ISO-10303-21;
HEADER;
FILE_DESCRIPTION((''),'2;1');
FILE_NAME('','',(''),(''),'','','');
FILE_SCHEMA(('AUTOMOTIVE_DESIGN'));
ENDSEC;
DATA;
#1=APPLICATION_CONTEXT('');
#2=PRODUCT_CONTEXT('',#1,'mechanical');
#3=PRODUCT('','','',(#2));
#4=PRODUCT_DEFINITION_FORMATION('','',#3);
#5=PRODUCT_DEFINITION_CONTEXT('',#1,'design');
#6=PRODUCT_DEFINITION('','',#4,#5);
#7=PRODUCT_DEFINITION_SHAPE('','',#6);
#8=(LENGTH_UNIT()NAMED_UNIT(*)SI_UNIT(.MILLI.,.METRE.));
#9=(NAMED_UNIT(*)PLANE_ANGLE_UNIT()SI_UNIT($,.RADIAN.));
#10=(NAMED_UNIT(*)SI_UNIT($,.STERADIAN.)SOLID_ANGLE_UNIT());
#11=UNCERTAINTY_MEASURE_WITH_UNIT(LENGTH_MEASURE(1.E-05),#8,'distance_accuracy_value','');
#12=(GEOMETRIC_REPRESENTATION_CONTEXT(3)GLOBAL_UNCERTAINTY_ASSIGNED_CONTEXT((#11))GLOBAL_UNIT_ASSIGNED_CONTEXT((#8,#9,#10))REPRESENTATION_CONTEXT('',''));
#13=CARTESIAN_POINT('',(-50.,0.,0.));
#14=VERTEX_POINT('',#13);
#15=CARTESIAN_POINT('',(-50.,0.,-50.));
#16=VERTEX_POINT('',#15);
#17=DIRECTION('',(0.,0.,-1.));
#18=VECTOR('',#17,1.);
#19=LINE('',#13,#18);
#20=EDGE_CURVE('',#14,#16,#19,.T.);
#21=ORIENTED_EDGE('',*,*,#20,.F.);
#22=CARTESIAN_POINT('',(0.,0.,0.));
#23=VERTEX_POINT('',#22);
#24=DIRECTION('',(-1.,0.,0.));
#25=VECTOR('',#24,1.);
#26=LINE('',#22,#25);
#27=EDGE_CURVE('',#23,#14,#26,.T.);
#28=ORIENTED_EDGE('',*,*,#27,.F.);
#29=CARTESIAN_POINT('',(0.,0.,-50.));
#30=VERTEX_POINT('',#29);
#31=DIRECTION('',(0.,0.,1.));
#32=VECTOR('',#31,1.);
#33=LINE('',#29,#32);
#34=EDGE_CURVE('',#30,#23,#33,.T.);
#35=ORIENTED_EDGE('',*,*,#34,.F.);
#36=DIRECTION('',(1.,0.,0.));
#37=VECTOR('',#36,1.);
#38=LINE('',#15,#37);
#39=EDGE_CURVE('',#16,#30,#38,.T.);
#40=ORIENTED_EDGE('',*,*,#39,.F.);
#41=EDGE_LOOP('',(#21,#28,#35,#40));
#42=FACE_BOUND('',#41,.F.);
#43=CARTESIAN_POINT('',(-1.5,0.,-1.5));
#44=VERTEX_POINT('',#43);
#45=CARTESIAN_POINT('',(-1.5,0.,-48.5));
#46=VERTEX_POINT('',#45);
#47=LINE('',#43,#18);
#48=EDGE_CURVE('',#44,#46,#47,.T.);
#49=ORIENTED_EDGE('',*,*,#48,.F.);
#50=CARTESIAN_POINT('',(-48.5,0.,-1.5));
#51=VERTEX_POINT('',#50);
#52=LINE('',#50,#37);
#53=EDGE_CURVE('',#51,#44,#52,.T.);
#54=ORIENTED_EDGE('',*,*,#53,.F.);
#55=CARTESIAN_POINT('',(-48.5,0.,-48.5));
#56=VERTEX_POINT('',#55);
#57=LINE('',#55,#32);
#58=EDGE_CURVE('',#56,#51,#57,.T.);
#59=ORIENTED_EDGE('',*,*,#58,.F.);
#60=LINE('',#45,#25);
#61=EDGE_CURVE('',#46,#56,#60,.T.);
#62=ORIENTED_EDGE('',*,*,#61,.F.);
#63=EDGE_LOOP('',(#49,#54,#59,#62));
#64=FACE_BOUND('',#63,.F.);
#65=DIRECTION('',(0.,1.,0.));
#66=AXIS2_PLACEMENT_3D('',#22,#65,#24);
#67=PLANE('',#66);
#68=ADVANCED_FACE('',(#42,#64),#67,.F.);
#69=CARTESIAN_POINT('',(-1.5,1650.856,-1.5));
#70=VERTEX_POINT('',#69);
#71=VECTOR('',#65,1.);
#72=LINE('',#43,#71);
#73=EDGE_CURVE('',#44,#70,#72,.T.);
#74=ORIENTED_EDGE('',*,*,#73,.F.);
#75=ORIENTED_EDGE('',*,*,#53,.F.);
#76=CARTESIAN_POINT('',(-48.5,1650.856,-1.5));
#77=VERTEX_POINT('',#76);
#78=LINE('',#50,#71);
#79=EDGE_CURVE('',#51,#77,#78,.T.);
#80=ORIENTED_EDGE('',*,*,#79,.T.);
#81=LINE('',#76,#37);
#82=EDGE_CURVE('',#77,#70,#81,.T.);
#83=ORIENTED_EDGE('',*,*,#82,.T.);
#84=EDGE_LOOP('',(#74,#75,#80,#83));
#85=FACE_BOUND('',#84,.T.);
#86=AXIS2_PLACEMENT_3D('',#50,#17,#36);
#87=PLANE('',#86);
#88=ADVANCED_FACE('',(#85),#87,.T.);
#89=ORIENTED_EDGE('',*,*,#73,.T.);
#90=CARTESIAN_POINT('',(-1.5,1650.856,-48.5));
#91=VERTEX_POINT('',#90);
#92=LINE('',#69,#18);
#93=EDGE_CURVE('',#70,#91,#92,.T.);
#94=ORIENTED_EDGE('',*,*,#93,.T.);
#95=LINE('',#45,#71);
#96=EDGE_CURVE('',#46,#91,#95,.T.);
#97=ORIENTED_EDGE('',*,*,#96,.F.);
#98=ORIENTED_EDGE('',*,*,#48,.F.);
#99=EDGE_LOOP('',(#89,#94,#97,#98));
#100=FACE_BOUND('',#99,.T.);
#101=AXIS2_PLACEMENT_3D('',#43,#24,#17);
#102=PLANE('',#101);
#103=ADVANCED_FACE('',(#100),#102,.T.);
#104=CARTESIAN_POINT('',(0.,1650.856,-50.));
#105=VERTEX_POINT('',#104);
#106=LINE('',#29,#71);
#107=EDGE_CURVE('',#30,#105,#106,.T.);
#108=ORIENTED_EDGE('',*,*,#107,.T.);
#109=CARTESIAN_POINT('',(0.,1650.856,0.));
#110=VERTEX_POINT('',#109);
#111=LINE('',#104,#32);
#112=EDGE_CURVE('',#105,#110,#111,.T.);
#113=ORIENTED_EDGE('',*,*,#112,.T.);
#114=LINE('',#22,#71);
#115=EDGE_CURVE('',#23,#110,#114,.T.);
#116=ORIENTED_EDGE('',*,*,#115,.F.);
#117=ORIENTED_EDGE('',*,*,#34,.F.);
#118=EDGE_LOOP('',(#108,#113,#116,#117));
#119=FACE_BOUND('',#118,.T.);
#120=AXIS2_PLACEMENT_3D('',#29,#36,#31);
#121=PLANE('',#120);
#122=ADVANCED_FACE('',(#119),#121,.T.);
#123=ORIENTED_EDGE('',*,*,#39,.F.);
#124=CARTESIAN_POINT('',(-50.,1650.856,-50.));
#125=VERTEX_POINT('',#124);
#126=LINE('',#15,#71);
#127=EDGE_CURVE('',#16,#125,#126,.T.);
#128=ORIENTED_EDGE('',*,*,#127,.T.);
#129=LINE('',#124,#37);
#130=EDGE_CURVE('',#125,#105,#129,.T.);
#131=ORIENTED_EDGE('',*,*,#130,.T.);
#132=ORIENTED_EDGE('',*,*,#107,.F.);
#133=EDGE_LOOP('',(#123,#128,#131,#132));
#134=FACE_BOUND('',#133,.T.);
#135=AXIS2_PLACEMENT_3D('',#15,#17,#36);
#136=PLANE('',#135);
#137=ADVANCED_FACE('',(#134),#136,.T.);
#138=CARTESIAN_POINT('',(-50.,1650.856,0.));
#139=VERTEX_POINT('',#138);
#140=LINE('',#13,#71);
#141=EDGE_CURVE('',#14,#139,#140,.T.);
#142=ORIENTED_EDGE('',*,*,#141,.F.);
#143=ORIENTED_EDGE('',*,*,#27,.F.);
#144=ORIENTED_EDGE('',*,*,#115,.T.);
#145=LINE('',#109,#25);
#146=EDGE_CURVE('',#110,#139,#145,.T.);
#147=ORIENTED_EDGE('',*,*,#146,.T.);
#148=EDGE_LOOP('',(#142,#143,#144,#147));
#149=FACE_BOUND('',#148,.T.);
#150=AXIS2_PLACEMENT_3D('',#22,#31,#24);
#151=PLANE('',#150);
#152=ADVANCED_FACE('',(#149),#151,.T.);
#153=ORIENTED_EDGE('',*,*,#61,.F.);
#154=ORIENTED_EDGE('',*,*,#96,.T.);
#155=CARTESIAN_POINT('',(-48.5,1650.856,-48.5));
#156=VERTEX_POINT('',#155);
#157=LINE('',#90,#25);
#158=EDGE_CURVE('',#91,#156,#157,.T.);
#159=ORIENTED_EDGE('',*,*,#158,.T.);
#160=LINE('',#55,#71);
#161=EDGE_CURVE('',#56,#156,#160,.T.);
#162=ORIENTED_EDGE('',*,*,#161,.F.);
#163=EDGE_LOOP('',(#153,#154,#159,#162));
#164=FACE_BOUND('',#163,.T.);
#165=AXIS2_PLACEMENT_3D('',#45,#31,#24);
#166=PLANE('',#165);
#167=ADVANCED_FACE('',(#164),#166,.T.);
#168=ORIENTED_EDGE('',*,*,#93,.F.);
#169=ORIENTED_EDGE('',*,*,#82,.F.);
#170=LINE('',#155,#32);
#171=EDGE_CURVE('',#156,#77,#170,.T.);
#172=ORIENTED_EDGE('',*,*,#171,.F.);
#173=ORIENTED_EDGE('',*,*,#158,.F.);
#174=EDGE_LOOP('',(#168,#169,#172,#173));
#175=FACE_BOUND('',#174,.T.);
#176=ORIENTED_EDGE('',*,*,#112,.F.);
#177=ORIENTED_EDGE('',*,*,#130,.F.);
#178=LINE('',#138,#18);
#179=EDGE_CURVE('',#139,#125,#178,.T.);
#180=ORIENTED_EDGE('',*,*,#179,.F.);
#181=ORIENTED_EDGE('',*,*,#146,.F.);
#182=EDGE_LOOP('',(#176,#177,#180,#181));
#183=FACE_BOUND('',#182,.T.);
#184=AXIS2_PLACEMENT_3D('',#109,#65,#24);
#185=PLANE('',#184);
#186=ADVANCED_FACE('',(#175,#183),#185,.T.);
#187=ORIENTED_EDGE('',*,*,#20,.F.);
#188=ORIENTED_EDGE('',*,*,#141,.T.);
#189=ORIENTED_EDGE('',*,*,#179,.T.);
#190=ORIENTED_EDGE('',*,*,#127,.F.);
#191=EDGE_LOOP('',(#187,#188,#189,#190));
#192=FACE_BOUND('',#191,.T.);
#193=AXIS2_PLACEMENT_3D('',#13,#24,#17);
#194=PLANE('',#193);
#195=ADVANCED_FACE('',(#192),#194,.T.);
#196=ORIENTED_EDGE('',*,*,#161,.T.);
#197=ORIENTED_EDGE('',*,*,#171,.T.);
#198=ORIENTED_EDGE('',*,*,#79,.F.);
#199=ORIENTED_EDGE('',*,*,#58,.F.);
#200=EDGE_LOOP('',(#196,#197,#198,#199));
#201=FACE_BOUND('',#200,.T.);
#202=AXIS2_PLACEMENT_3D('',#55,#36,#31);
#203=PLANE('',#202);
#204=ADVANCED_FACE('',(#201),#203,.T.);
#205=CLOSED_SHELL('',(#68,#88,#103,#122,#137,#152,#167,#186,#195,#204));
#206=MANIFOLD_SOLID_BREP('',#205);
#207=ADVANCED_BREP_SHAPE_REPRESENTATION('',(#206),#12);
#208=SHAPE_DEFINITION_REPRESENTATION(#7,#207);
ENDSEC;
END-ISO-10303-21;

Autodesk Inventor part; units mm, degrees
ref_plane "YZ Plane" through (0, 0, 0) normal (1, 0, 0) x (0, 1, 0)
ref_plane "XZ Plane" through (0, 0, 0) normal (0, 1, 0) x (-1, 0, 0)
ref_plane "XY Plane" through (0, 0, 0) normal (0, 0, 1) x (1, 0, 0)
sketch "Boceto1" plane through (0, 0, 0) normal (0, 1, 0) x (-1, 0, 0)
  line L0 (0, 0) -> (50, 0)
  line L1 (50, 0) -> (50, -50)
  line L2 (50, -50) -> (0, -50)
  line L3 (0, -50) -> (0, 0)
  line L4 (1.5, -48.5) -> (48.5, -48.5)
  line L5 (48.5, -48.5) -> (48.5, -1.5)
  line L6 (48.5, -1.5) -> (1.5, -1.5)
  line L7 (1.5, -1.5) -> (1.5, -48.5)
  line L8 (1.5, -48.5) -> (48.5, -1.5) construction
  line L9 (48.5, -48.5) -> (1.5, -1.5) construction
  point P0 (25, -25)
  dimension "d0" = 50
  dimension "d1" = 50
  dimension "d6" = 1.5
  dimension "d7" = 1.5
  dimension "d8" = 1.5
  dimension "d9" = 1.5
extrude "Extrusión1" add sketch "Boceto1" along normal blind 1650.856
equation "\"d0\" = d1"
equation "\"d7\" = d6"
equation "\"d8\" = d6"
equation "\"d9\" = d6"
properties part number "Mesa_base1"
